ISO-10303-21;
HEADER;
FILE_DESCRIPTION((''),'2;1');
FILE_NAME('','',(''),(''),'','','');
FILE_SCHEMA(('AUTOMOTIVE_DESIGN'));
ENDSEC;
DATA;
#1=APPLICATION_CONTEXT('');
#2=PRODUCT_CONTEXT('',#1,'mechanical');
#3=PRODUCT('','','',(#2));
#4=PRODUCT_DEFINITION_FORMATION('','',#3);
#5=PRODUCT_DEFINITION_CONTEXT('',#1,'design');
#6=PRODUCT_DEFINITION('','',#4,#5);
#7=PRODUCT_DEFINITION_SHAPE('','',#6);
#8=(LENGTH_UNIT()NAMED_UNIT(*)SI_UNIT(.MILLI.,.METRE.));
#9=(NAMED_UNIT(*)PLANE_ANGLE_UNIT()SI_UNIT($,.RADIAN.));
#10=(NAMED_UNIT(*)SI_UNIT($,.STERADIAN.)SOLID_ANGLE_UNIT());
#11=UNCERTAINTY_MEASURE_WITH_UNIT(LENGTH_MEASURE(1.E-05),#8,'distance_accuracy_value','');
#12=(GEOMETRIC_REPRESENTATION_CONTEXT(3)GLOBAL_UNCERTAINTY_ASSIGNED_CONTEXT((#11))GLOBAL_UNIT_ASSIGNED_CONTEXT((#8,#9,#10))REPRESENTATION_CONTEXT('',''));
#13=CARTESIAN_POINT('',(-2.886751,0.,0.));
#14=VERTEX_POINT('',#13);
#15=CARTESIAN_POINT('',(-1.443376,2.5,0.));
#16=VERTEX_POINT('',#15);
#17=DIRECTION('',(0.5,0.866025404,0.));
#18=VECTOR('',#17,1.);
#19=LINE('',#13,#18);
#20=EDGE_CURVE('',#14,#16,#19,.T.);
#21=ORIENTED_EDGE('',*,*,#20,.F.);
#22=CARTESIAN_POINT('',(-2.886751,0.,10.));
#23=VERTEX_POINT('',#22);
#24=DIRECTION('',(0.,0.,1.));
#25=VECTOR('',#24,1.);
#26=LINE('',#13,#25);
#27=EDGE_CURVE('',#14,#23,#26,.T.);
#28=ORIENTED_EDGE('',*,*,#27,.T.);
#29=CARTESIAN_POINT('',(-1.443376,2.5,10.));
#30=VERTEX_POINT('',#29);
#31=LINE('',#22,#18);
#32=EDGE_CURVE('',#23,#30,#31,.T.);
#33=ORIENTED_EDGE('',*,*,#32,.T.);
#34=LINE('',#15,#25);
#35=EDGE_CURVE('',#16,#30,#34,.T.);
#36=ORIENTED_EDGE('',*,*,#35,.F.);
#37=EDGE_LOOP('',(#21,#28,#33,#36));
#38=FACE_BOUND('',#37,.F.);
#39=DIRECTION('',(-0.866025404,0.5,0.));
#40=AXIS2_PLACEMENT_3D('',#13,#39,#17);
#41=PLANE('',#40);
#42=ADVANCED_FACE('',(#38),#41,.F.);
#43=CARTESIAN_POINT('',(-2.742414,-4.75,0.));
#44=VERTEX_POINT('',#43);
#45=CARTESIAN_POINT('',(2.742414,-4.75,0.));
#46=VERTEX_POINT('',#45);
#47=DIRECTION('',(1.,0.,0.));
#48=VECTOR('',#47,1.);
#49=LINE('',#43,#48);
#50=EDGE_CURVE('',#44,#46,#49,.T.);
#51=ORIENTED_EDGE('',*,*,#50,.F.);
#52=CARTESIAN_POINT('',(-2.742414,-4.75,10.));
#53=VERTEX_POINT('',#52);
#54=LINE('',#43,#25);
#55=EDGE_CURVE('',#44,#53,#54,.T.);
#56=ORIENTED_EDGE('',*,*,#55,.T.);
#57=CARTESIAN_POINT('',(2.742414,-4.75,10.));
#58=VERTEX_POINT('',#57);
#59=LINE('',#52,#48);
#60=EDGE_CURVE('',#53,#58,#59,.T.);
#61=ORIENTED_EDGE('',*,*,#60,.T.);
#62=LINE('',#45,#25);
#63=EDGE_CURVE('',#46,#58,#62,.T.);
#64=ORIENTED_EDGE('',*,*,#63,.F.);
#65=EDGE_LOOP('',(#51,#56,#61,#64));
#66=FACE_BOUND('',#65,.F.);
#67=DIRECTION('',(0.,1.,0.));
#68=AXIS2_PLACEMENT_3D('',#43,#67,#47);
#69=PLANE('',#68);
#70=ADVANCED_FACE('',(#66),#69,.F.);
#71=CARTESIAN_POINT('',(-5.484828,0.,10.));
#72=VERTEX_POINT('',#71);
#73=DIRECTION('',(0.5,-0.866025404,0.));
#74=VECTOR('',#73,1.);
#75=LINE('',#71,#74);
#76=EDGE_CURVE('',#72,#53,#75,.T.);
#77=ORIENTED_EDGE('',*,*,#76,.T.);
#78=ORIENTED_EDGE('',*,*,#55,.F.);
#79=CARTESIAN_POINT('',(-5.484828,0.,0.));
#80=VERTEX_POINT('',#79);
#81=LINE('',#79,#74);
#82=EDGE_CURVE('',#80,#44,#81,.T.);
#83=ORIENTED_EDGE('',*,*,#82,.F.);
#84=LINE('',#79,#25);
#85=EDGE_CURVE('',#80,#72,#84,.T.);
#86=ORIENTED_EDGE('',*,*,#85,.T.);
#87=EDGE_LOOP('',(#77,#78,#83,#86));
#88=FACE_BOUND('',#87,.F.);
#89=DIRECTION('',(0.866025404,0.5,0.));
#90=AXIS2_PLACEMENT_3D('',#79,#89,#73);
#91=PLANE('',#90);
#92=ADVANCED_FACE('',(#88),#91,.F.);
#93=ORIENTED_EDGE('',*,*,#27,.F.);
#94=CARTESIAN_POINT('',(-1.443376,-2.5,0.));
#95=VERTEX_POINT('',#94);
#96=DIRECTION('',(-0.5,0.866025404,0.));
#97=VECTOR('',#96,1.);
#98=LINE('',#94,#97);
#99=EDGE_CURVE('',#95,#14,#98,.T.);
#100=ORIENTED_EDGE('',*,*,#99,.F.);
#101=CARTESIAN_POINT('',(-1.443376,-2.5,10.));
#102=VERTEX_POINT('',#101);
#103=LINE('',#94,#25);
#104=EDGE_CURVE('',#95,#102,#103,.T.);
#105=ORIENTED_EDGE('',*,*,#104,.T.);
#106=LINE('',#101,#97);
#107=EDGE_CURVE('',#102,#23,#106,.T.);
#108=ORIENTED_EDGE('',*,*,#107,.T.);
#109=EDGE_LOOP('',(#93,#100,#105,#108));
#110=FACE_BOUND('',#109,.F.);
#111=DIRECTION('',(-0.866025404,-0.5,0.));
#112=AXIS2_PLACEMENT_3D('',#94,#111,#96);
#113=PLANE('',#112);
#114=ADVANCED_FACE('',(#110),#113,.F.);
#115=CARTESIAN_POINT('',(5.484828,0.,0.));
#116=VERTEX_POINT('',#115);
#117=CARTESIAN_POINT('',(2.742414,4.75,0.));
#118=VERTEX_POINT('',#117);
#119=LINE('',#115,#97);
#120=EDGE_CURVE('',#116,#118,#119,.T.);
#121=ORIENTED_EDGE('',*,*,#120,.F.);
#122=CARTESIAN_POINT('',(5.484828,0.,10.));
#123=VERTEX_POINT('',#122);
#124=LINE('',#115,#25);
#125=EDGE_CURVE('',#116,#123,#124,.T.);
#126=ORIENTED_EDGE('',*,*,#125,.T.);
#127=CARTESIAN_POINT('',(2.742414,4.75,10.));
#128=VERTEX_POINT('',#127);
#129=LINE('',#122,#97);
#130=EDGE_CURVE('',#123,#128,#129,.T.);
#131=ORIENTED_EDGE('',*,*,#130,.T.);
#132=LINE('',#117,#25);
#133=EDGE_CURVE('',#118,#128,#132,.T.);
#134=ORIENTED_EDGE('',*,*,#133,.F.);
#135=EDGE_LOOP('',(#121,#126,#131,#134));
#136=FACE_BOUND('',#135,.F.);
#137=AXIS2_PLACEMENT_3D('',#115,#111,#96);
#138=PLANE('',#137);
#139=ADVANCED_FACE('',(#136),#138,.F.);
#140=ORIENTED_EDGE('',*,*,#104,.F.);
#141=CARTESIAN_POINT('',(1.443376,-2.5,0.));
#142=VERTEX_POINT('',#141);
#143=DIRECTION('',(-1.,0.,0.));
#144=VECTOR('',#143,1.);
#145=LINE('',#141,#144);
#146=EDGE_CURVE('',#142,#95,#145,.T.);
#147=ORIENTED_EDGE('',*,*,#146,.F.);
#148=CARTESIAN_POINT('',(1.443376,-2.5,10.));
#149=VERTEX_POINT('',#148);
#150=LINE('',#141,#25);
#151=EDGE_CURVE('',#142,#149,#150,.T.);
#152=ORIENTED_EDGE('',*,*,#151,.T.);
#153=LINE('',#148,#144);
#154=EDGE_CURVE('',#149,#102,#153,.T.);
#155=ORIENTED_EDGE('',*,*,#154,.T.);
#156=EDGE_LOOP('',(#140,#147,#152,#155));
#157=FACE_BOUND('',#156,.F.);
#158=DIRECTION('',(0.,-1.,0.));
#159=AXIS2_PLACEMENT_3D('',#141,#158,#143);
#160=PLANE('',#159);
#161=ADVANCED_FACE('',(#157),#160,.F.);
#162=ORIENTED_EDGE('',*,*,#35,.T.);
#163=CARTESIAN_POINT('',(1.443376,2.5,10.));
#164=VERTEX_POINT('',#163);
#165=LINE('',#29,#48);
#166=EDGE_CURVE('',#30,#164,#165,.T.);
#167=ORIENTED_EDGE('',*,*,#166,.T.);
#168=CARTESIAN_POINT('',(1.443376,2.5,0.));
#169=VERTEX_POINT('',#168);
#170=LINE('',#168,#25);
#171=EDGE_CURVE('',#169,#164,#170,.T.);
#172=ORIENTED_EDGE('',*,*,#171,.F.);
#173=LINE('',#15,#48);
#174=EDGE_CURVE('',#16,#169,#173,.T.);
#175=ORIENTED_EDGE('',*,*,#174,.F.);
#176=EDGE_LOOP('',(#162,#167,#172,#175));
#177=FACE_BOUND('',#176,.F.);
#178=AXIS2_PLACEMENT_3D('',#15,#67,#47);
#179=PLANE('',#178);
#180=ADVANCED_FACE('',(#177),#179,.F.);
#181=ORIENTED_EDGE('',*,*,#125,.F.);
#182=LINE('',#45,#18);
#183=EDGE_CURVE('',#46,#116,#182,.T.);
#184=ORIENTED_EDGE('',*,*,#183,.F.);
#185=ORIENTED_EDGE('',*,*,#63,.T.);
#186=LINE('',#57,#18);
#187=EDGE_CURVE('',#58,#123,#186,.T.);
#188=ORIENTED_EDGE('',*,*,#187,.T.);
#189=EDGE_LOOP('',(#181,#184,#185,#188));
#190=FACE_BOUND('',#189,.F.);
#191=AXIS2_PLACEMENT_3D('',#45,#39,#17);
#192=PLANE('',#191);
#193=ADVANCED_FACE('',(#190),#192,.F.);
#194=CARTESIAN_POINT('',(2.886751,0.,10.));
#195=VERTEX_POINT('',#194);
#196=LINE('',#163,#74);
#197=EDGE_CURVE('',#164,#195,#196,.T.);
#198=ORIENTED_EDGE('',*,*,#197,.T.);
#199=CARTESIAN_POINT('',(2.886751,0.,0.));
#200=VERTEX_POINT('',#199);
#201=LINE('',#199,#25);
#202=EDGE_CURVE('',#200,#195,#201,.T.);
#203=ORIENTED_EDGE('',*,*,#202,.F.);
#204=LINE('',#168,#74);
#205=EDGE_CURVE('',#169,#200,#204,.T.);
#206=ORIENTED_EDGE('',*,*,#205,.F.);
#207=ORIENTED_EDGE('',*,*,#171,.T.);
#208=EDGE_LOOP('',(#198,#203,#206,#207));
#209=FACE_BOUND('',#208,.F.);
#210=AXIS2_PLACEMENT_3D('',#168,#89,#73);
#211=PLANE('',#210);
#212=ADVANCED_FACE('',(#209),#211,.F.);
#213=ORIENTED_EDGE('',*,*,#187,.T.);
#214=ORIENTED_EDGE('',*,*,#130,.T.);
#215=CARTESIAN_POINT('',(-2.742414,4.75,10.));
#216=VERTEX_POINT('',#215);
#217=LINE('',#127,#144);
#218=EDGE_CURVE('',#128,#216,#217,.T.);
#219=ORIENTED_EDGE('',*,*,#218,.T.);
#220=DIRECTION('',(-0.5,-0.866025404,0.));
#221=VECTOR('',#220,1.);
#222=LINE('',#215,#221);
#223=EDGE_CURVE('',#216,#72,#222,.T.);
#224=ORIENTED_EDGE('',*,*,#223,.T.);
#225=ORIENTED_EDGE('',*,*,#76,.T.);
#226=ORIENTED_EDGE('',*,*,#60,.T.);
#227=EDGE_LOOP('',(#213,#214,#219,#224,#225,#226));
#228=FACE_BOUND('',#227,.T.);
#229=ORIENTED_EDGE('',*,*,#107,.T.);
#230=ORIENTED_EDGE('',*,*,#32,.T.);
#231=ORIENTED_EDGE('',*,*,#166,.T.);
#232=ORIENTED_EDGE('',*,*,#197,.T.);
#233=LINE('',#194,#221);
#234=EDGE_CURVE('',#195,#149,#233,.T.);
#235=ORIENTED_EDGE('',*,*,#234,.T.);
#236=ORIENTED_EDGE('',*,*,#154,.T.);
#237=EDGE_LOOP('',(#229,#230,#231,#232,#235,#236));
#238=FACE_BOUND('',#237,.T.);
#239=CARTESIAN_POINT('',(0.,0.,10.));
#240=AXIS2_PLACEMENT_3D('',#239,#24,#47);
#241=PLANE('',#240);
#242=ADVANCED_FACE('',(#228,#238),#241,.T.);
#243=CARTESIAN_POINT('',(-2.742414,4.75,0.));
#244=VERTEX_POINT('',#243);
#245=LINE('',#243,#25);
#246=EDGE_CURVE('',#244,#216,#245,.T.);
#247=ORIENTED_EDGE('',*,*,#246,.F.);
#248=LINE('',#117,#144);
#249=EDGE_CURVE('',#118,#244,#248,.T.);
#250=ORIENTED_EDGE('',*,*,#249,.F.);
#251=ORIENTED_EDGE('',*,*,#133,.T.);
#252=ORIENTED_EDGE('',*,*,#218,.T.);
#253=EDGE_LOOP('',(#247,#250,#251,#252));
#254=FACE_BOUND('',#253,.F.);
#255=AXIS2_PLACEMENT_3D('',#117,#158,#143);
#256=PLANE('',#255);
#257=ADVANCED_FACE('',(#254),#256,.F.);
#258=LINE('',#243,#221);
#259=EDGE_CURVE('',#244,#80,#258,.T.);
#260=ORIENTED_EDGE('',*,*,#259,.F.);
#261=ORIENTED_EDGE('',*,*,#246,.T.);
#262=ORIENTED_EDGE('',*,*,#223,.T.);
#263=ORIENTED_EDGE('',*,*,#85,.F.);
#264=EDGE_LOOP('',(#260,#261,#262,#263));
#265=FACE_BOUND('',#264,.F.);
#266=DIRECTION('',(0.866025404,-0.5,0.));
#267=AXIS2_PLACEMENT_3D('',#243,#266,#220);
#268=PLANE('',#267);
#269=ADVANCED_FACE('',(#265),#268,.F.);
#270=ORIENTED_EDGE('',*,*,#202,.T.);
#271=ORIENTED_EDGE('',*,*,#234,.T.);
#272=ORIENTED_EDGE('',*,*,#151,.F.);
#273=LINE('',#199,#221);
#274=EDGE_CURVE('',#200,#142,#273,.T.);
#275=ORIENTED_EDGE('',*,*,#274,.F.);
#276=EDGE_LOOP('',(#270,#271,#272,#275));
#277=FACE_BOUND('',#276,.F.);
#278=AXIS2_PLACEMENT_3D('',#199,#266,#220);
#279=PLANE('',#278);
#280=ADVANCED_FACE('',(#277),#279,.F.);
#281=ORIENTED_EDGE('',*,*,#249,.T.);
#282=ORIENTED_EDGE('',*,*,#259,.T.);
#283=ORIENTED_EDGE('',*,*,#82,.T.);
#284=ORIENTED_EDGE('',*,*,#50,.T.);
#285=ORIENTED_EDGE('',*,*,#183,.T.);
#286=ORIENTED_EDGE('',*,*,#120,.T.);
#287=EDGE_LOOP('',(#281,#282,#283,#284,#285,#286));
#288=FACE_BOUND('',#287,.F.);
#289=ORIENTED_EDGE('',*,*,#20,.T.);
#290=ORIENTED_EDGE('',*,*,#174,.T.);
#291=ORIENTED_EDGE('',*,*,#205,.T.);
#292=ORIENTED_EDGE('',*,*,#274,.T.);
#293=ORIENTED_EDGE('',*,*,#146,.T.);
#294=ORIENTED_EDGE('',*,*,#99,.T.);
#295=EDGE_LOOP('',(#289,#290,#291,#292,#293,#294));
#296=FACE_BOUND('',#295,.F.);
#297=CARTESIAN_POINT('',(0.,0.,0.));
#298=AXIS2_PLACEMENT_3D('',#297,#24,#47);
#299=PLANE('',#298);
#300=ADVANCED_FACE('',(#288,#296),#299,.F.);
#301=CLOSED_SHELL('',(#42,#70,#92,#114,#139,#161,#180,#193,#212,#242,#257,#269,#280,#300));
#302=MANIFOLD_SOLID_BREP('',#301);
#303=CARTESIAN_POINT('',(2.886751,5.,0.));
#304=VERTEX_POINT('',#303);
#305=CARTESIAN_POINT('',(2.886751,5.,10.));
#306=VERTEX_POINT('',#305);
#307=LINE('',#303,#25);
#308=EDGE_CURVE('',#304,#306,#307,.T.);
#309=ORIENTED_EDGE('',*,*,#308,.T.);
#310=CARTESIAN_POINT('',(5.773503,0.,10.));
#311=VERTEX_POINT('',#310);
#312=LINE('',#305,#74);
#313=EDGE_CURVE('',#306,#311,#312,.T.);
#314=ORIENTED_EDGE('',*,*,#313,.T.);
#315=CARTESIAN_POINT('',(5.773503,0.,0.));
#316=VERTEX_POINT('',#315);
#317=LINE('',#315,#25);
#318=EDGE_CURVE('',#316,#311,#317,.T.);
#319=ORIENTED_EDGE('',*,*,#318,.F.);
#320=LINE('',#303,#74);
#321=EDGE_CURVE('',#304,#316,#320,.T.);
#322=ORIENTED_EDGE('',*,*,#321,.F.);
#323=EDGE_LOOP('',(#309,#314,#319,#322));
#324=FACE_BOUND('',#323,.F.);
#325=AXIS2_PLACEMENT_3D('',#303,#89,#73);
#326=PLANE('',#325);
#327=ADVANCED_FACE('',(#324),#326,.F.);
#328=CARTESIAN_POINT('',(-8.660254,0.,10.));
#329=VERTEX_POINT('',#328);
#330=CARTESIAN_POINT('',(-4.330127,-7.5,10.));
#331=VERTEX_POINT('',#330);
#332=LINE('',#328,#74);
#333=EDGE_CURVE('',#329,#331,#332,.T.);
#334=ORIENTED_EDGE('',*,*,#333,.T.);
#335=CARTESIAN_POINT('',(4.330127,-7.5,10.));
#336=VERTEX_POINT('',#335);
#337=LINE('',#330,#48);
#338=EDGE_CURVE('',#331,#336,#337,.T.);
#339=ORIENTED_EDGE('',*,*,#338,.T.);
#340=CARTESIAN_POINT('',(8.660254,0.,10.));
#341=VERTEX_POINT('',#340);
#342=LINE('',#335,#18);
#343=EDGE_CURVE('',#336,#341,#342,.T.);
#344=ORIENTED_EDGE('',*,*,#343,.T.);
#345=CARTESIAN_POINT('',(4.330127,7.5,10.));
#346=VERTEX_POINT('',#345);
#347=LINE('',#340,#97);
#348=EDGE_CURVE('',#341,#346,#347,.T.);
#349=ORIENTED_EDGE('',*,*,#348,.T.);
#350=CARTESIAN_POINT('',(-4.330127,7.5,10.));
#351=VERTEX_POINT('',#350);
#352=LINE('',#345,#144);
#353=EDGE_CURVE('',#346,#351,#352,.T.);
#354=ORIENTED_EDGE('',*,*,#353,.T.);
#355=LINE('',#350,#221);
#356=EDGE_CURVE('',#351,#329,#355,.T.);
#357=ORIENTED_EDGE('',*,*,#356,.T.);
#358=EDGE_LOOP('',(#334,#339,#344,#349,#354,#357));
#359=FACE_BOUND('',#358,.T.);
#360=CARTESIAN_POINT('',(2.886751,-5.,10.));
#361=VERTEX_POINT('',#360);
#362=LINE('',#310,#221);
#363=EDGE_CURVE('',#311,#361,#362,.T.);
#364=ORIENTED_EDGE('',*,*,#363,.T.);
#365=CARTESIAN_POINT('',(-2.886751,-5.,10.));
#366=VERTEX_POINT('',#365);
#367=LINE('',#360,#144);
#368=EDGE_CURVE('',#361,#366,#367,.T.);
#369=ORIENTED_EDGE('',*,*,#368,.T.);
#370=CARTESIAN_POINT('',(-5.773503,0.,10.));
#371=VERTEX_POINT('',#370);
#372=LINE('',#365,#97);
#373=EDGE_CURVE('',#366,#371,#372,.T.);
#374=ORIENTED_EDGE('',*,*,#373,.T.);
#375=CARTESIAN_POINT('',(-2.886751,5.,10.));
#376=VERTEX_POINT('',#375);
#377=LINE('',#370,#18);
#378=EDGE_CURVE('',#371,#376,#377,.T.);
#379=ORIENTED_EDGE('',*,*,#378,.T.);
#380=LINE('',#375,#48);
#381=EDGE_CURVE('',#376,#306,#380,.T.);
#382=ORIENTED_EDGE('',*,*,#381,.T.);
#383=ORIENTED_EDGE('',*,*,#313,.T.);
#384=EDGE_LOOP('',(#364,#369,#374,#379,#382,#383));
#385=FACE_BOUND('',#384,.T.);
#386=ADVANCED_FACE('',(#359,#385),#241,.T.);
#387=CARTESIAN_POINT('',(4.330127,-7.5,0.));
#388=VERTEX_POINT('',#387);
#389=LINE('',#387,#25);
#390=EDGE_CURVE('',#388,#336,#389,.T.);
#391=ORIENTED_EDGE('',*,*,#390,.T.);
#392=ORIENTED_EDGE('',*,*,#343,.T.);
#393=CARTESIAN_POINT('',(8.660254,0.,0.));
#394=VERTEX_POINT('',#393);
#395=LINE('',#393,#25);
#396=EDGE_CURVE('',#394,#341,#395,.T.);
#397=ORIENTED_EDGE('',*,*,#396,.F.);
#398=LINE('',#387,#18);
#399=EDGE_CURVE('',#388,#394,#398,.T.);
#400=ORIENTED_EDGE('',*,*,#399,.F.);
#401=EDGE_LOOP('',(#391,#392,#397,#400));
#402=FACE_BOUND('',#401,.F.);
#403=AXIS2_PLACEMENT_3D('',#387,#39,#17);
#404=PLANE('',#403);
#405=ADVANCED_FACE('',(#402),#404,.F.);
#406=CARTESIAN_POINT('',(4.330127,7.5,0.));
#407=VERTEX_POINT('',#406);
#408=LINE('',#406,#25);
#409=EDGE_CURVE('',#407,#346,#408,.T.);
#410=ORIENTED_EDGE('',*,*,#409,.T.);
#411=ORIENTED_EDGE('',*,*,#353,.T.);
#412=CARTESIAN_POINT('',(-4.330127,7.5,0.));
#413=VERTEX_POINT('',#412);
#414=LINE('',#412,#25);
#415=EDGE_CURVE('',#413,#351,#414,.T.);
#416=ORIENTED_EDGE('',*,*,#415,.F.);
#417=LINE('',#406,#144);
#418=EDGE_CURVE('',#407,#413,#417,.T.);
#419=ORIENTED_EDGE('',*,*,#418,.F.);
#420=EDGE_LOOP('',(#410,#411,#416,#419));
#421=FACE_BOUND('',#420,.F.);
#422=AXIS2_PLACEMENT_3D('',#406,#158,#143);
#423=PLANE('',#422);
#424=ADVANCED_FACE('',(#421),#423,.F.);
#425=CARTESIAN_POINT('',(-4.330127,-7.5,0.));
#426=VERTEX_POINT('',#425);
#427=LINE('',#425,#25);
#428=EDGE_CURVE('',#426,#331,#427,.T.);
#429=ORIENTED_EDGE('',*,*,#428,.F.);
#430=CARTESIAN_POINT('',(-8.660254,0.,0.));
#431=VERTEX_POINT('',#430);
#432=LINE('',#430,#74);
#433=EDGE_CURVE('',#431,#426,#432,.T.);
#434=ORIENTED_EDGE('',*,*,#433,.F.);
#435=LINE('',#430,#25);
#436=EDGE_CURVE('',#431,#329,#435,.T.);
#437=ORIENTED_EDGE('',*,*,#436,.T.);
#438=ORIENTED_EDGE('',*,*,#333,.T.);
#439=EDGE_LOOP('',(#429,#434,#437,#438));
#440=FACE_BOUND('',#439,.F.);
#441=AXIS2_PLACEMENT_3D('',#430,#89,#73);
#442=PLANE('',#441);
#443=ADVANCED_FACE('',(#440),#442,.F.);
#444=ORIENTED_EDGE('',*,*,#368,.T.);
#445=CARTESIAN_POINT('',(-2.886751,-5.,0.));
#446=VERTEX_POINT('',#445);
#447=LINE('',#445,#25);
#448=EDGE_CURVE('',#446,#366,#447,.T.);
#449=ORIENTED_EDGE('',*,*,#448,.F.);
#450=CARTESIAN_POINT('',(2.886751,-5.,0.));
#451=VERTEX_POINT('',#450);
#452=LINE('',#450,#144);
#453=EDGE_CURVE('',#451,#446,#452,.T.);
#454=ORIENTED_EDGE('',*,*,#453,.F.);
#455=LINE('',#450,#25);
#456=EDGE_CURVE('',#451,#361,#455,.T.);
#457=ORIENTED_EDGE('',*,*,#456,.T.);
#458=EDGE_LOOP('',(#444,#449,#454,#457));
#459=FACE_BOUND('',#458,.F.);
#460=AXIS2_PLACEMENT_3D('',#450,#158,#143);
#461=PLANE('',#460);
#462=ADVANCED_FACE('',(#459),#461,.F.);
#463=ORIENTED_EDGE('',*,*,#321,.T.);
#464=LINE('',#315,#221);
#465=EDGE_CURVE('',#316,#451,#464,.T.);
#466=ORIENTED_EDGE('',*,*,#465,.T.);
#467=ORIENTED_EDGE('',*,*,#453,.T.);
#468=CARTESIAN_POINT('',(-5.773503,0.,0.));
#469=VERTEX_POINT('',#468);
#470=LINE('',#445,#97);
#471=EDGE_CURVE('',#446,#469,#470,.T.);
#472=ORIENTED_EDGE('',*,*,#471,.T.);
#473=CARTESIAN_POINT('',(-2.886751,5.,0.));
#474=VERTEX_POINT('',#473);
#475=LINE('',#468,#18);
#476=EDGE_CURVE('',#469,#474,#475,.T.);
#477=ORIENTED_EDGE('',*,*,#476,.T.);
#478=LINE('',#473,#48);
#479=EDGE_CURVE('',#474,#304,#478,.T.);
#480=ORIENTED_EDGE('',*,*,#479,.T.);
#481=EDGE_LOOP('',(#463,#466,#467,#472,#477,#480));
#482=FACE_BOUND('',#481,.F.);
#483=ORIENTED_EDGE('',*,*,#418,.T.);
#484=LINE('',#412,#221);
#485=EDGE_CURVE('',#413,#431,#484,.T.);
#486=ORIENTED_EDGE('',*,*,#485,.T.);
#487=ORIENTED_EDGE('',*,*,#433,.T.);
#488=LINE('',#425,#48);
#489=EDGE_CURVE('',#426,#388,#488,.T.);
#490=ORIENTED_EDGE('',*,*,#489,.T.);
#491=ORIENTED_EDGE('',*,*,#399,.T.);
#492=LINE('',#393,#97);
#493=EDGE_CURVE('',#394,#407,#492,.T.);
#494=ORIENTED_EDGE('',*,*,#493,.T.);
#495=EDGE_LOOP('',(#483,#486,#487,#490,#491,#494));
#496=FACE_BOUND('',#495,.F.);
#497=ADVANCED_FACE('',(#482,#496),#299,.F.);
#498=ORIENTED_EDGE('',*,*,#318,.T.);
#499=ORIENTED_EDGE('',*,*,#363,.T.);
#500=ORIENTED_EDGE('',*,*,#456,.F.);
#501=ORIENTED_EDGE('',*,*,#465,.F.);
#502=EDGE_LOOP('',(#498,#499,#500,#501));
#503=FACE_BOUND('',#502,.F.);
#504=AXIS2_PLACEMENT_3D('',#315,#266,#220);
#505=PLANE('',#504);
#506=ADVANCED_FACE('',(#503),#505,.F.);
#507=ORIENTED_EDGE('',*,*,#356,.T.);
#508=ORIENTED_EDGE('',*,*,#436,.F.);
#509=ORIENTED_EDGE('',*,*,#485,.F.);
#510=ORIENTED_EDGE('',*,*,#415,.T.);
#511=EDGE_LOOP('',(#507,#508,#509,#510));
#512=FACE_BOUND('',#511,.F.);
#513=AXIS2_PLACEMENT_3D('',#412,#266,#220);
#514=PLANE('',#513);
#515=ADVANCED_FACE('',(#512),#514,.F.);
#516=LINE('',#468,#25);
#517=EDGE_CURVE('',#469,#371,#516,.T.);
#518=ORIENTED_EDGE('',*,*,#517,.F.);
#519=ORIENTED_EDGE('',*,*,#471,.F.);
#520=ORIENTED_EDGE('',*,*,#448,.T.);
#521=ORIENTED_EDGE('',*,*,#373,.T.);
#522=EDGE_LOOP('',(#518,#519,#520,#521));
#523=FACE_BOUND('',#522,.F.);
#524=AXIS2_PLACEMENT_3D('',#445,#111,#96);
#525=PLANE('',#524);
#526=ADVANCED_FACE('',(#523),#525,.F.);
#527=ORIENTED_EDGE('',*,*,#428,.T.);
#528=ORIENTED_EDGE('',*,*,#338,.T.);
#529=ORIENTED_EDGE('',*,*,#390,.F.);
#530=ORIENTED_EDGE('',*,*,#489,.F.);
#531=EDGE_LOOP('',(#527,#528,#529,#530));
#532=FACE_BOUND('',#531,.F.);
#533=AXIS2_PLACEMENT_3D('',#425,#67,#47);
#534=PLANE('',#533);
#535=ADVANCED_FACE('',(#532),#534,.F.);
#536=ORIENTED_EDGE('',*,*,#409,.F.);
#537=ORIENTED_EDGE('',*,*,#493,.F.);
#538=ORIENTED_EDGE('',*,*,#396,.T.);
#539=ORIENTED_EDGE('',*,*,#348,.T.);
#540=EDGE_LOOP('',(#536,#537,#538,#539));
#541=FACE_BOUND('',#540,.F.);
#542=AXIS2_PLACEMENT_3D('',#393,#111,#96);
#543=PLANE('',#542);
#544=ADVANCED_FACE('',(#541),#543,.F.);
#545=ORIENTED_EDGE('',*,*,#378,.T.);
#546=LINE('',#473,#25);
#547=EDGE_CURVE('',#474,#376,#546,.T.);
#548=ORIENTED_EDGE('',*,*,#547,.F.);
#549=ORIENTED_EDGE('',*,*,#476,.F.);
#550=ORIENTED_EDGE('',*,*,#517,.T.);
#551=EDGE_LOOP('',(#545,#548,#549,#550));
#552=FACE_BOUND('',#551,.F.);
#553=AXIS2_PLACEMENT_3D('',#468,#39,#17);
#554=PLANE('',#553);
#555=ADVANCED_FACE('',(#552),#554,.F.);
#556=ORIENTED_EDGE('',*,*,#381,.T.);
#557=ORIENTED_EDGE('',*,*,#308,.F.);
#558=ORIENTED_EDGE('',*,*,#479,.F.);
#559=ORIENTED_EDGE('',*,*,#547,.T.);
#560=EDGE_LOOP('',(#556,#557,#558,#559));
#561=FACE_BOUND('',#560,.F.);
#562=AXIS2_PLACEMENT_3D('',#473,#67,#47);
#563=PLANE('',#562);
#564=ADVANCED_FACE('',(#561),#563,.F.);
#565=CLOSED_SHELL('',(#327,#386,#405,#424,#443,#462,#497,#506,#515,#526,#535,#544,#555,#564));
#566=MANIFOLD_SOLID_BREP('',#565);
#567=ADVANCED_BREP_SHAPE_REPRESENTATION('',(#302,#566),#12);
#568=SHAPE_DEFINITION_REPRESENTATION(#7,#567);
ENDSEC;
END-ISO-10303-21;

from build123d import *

# Parameters (mm, degrees)
F1_DEPTH = 10


with BuildPart() as f1:
    # F0 (on Top) → F1 (new body)
    with BuildSketch(Plane.XY):
        Polygon((2.7424137787, 4.75), (-2.7424137787, 4.75), (-5.4848275573, 0), (-2.7424137787, -4.75), (2.7424137787, -4.75), (5.4848275573, 0), align=None)
        Polygon((-2.8867513459, 0), (-1.443375673, 2.5), (1.443375673, 2.5), (2.8867513459, 0), (1.443375673, -2.5), (-1.443375673, -2.5), align=None, mode=Mode.SUBTRACT)
    extrude(amount=F1_DEPTH)


with BuildPart() as f1b:
    # F0 (on Top) → F1, piece 2 (new body)
    with BuildSketch(Plane.XY):
        Polygon((4.3301270189, 7.5), (-4.3301270189, 7.5), (-8.6602540378, 0), (-4.3301270189, -7.5), (4.3301270189, -7.5), (8.6602540378, 0), align=None)
        Polygon((-5.7735026919, 0), (-2.8867513459, 5), (2.8867513459, 5), (5.7735026919, 0), (2.8867513459, -5), (-2.8867513459, -5), align=None, mode=Mode.SUBTRACT)
    extrude(amount=F1_DEPTH)


solid = Compound([f1.part, f1b.part])
